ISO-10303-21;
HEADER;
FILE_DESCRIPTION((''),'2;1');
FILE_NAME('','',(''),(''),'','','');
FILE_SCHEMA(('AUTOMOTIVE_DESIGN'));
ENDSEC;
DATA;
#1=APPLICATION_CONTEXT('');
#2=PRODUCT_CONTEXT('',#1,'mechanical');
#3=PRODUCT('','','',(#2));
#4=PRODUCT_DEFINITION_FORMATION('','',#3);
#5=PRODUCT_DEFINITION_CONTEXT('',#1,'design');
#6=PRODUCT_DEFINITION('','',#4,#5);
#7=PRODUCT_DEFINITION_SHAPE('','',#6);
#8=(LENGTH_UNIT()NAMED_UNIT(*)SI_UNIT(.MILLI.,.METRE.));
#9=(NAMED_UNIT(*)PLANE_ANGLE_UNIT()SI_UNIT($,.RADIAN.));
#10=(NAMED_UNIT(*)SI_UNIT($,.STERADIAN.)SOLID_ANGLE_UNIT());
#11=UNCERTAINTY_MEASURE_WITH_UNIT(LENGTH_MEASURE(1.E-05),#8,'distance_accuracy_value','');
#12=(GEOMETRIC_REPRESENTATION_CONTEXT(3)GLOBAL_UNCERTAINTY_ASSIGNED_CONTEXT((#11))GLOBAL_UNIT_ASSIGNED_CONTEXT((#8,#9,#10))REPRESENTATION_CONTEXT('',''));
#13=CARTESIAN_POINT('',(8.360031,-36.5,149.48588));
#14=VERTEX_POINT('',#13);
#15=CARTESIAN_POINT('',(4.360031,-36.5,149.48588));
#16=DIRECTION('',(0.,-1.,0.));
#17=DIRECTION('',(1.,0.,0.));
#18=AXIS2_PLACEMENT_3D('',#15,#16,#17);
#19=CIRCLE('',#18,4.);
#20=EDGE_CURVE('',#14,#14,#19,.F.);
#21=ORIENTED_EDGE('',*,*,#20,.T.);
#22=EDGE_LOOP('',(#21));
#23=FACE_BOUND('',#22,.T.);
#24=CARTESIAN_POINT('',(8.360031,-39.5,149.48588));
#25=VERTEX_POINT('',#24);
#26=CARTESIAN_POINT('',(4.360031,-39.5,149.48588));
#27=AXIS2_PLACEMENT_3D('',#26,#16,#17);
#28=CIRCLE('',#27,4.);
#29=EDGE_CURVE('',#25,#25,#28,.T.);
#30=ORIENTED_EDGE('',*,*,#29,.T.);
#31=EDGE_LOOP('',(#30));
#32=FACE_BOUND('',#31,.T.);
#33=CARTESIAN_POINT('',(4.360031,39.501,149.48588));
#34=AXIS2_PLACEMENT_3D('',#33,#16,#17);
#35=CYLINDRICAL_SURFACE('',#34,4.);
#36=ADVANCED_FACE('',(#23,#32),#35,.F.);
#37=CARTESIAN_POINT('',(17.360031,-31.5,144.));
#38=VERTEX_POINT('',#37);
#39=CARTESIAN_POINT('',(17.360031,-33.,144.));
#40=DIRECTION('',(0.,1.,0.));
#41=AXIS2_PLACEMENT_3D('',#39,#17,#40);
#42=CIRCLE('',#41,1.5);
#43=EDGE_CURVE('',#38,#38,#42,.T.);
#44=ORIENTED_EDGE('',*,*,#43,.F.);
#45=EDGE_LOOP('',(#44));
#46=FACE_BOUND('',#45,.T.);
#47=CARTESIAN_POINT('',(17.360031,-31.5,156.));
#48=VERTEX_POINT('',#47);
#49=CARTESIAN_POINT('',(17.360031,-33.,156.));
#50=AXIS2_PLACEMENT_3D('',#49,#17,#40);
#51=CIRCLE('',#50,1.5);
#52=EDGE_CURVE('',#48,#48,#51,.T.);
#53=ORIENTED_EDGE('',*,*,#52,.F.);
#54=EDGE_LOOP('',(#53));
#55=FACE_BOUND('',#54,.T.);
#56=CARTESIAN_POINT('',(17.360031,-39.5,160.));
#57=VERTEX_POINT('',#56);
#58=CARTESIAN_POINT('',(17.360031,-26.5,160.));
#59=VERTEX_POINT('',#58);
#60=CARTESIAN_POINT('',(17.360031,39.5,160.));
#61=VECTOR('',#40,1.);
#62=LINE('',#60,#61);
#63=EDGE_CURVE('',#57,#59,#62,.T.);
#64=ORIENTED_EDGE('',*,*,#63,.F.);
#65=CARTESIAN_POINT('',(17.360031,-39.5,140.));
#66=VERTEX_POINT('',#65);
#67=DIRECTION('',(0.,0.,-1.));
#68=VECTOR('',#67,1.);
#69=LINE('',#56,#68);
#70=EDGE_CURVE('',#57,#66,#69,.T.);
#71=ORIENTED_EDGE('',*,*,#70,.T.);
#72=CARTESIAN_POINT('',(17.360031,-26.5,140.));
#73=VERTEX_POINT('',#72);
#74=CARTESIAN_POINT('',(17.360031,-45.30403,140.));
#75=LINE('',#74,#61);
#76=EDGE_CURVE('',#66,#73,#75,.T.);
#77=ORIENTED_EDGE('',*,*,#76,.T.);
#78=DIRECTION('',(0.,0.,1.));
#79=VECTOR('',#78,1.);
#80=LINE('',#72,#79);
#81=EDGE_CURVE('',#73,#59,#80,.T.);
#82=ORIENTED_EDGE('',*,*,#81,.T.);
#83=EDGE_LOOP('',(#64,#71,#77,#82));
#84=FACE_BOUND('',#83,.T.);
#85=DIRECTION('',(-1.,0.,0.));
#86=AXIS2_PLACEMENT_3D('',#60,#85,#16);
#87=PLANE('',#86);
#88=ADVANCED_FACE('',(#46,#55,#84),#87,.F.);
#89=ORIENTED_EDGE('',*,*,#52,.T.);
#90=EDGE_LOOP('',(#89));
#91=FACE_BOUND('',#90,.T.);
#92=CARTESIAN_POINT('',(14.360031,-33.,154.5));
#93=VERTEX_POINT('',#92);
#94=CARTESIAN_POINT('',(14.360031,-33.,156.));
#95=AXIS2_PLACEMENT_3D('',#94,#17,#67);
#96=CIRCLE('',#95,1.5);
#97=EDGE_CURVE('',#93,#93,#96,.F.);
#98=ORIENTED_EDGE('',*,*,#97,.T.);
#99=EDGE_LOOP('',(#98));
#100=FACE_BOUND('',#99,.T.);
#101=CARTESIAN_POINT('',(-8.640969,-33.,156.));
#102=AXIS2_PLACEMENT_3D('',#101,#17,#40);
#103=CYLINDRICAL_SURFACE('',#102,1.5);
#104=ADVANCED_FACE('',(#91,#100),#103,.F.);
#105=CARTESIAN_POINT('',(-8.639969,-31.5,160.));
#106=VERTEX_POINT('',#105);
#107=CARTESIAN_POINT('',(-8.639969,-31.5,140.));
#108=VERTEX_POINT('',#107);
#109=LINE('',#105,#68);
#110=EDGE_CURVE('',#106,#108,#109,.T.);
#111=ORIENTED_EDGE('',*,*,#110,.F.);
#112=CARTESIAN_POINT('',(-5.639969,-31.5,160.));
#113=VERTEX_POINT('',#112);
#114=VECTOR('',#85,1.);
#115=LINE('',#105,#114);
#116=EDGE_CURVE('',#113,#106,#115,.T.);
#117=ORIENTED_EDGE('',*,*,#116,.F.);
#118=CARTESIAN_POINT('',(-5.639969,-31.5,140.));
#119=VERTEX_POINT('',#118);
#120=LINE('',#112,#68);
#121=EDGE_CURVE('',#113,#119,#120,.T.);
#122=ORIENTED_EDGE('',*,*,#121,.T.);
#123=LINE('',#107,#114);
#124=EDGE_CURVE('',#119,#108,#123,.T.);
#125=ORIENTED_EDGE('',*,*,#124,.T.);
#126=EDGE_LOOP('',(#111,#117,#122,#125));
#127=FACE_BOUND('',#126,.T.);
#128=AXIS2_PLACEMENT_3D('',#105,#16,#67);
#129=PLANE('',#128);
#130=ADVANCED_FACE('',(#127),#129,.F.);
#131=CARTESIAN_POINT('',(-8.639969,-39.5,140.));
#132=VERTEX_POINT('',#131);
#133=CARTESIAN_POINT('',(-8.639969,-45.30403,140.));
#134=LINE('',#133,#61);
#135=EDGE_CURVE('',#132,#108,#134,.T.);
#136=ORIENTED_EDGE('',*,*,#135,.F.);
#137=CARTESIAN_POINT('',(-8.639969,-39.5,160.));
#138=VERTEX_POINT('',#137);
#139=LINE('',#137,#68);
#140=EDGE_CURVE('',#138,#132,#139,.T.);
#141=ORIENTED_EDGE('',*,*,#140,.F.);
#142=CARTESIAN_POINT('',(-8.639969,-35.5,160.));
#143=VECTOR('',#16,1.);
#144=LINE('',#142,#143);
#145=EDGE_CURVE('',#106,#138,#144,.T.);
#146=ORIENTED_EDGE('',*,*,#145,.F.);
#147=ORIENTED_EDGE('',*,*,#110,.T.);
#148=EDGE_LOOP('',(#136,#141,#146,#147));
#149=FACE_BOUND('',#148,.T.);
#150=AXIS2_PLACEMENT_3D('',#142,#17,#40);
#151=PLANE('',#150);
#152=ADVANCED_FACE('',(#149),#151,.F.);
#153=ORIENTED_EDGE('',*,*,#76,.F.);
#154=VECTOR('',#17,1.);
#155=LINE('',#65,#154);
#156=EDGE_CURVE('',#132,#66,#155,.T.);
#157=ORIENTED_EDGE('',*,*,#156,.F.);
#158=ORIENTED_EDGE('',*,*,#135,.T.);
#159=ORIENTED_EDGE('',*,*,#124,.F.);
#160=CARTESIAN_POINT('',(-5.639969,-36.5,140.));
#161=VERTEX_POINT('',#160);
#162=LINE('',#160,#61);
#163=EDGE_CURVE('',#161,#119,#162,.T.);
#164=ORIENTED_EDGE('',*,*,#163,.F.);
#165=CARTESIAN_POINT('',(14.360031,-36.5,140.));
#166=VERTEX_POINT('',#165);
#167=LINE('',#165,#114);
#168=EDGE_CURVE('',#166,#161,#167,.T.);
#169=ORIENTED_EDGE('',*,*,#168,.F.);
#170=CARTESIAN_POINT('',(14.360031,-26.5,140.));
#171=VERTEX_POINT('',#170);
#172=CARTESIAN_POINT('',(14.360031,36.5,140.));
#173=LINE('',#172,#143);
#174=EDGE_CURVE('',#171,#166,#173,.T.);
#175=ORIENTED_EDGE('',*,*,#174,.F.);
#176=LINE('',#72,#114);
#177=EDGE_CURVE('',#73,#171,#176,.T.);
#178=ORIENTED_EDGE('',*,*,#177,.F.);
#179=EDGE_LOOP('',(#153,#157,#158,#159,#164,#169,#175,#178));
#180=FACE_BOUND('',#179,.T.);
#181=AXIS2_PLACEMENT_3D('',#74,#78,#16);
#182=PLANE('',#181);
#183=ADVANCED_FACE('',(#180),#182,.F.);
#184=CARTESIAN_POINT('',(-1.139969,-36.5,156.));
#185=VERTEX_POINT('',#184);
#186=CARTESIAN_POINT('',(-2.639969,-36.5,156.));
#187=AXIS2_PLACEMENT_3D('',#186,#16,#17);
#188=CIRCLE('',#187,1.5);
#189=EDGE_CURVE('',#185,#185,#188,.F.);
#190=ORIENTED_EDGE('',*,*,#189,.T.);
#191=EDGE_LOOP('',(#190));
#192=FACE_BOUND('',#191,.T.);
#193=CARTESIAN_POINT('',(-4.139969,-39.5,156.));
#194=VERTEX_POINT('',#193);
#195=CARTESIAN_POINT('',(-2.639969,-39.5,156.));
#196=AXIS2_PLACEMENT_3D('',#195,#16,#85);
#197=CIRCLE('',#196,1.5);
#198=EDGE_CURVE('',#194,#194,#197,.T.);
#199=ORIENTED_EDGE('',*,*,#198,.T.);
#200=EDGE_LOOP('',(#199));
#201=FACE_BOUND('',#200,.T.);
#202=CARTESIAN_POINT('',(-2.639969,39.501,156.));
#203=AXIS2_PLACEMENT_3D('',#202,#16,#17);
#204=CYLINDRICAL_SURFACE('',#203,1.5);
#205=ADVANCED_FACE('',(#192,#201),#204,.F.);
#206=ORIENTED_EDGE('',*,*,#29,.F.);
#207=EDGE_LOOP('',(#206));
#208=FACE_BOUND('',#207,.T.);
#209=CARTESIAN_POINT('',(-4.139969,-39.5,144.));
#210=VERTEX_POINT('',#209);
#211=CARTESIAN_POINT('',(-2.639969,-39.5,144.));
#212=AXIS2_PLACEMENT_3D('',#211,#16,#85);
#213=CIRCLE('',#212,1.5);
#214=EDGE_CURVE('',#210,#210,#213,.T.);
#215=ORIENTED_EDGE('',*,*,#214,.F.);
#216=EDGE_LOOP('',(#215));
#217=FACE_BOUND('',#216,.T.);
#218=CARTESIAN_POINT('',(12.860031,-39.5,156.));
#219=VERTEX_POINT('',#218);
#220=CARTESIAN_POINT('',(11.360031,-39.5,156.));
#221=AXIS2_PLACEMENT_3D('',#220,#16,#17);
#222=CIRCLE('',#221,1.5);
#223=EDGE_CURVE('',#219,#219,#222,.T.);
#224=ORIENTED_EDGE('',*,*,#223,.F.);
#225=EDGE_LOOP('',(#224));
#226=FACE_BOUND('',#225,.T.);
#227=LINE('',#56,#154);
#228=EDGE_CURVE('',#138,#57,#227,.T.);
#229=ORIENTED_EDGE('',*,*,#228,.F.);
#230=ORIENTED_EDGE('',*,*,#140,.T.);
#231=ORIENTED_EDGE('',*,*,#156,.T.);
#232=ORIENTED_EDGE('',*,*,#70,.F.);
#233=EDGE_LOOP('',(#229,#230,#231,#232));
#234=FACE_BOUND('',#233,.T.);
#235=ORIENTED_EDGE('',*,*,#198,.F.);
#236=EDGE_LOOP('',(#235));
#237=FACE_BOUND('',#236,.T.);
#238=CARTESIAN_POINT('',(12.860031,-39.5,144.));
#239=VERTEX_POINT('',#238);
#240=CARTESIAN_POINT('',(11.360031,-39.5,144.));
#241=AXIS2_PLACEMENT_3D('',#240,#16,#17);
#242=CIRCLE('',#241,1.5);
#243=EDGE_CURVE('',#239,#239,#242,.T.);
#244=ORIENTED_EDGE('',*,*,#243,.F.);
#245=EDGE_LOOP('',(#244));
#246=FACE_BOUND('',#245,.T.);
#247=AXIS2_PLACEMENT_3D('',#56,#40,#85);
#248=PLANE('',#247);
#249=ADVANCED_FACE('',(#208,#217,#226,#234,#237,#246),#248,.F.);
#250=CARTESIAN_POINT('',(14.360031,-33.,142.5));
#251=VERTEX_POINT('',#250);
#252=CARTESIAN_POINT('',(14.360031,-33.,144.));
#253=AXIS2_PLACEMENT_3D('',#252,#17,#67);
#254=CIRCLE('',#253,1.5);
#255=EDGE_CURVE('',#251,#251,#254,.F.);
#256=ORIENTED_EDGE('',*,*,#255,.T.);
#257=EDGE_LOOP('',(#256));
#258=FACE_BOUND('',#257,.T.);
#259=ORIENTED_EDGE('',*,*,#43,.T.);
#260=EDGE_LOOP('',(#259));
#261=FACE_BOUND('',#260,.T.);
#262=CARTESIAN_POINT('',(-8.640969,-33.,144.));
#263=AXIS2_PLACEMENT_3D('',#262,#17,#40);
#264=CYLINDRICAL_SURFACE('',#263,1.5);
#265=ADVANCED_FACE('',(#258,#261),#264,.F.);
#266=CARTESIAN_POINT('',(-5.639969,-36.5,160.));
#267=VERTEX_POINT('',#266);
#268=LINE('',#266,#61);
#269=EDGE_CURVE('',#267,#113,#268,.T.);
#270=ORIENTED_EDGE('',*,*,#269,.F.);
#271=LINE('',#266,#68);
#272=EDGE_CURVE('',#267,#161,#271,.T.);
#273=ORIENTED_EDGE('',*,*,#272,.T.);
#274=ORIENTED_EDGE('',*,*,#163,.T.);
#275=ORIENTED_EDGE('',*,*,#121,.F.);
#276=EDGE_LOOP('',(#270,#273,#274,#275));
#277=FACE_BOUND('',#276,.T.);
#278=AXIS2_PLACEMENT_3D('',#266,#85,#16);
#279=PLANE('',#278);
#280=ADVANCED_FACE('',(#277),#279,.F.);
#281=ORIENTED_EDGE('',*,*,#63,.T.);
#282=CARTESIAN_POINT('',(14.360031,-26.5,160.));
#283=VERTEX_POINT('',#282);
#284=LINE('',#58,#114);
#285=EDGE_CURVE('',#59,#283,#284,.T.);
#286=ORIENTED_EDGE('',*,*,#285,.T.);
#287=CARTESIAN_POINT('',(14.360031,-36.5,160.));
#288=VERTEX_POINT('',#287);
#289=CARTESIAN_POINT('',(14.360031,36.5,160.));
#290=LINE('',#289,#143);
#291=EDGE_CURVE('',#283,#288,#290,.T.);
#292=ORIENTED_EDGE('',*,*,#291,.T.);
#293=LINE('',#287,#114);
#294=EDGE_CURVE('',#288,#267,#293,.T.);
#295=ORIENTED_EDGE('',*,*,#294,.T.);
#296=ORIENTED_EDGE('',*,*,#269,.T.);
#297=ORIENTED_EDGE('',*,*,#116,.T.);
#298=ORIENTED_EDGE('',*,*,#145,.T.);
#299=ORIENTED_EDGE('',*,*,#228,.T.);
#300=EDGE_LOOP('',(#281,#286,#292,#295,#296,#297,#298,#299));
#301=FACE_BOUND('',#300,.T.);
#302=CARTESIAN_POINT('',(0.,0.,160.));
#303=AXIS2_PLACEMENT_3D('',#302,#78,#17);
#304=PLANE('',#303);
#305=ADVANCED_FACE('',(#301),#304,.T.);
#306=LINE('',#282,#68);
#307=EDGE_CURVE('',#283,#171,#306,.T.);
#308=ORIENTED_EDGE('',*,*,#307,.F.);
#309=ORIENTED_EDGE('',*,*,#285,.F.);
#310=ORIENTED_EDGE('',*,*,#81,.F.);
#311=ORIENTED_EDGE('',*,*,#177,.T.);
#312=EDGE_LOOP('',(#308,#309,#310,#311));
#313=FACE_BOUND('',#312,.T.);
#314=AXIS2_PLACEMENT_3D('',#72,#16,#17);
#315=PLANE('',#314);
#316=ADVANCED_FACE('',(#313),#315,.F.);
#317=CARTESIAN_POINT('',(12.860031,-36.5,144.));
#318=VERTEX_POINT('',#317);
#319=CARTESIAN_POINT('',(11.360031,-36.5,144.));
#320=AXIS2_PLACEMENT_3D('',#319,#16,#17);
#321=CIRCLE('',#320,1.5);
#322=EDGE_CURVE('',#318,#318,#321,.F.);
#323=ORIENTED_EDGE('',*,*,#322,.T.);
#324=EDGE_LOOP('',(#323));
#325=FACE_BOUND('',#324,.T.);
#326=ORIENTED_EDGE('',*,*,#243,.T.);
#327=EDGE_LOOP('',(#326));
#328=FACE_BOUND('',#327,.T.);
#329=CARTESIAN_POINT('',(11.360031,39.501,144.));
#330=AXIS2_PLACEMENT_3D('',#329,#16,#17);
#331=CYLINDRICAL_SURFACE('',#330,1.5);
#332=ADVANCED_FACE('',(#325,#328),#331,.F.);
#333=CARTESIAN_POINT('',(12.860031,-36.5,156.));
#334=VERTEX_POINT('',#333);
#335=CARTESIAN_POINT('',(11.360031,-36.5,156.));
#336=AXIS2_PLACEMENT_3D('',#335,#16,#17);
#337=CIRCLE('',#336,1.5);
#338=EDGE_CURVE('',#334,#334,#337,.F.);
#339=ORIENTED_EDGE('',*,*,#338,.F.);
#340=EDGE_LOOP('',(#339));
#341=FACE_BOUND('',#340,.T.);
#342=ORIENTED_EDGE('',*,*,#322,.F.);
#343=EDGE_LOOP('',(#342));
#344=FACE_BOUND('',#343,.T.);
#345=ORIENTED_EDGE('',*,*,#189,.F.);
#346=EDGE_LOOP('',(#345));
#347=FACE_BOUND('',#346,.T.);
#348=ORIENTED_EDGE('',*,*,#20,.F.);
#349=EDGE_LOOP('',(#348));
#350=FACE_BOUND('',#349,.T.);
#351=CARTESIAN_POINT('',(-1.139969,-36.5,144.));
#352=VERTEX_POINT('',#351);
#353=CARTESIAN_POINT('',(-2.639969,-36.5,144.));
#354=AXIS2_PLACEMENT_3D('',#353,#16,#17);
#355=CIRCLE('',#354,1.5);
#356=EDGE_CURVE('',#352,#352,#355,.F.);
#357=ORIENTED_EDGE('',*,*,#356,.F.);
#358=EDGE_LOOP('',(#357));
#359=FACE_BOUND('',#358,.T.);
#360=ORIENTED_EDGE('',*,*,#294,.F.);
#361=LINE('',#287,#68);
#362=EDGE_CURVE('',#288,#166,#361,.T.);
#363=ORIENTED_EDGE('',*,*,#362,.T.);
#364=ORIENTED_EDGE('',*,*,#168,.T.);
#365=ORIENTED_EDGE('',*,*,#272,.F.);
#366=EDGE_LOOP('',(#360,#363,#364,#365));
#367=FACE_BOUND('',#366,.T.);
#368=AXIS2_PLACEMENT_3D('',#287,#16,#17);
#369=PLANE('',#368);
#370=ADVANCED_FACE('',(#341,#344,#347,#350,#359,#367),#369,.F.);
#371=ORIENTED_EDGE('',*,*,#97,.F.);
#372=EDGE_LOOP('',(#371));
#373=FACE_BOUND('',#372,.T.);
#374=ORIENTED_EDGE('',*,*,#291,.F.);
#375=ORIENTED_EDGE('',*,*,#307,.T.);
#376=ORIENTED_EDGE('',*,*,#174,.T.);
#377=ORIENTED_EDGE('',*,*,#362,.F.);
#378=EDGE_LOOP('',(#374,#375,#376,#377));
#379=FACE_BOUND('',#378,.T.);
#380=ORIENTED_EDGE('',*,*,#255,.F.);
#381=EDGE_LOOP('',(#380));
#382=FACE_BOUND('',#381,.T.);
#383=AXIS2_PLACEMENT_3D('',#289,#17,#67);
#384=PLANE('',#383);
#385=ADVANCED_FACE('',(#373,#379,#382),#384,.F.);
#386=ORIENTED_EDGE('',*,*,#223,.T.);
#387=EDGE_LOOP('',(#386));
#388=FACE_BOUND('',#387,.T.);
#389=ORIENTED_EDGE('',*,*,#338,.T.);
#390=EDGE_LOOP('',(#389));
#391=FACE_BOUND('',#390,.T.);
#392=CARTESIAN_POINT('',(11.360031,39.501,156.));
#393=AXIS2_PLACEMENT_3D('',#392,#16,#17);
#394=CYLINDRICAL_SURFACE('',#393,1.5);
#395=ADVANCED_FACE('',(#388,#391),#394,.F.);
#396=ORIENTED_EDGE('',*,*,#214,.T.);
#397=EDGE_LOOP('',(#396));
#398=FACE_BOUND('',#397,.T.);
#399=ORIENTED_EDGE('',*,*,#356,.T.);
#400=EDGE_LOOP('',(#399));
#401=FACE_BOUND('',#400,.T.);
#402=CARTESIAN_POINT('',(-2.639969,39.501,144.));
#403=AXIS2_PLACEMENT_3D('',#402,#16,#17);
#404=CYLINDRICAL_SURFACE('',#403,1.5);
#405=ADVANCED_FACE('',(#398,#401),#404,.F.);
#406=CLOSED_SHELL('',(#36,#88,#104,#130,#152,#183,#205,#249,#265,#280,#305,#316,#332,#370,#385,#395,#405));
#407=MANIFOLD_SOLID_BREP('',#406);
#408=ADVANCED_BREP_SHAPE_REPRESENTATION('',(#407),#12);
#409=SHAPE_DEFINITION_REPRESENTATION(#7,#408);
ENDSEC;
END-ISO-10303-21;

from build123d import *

# Parameters (mm, degrees)
EXTRUDE_1_DEPTH          = 160
CUT_EXTRUDE_2_DEPTH      = 167.400871392
CUT_EXTRUDE_2_DEPTH_BACK = 167.400871392
SKETCH_5_R               = 1.5
CUT_EXTRUDE_3_DEPTH      = 3
SKETCH_6_R               = 1.5
SKETCH_6_R_2             = 4
CUT_EXTRUDE_4_DEPTH      = 3


with BuildPart() as part:
    # 草图1 → 凸台-拉伸1 (new body)
    with BuildSketch(Plane.XY):
        Polygon((-8.639969484, -35.5), (-8.639969484, -39.5), (17.360030516, -39.5), (17.360030516, 39.5), (-8.639969484, 39.5), (-8.639969484, 35.5), (-8.639969484, 31.5), (-5.639969484, 31.5), (-5.639969484, 36.5), (14.360030516, 36.5), (14.360030516, -36.5), (-5.639969484, -36.5), (-5.639969484, -31.5), (-8.639969484, -31.5), align=None)
    extrude(amount=EXTRUDE_1_DEPTH)

    # 草图4 → 切除-拉伸2 (cut, two sides: drawn at the far end of the back side and taken through both)
    with BuildSketch(Plane.ZY.offset(-14.360030516).offset(-CUT_EXTRUDE_2_DEPTH_BACK)):
        Polygon((140, 26.5), (160, 26.5), (160, -26.5), (140, -26.5), (140, -45.304030301), (130, -45.304030301), (130, -26.5), (110, -26.5), (110, -45.304030301), (100, -45.304030301), (100, -26.5), (80, -26.5), (80, -45.304030301), (72.341947093, -45.304030301), (72.341947093, -47.20233834), (-21.576648983, -47.20233834), (-21.576648983, 47.202965292), (72.341947093, 47.202965292), (72.341947093, 45.304030301), (80, 45.304030301), (80, 26.5), (100, 26.5), (100, 45.304030301), (110, 45.304030301), (110, 26.5), (130, 26.5), (130, 45.304030301), (140, 45.304030301), align=None)
    extrude(amount=CUT_EXTRUDE_2_DEPTH + CUT_EXTRUDE_2_DEPTH_BACK, mode=Mode.SUBTRACT)


with BuildPart() as cut_extrude_2_piece_1:
    # of the separate pieces the step leaves, piece 1, a body of its own (cut_extrude_2_pieces)
    add(part.part.solids().sort_by_distance((17.360030516, 39.5, 80))[0])


with BuildPart() as cut_extrude_2_piece_2:
    # of the separate pieces the step leaves, piece 2, a body of its own (cut_extrude_2_pieces)
    add(part.part.solids().sort_by_distance((17.360030516, 39.5, 110))[0])


with BuildPart() as cut_extrude_2_piece_3:
    # of the separate pieces the step leaves, piece 3, a body of its own (cut_extrude_2_pieces)
    add(part.part.solids().sort_by_distance((17.360030516, -39.5, 140))[0])


with BuildPart() as cut_extrude_2_piece_4:
    # of the separate pieces the step leaves, piece 4, a body of its own (cut_extrude_2_pieces)
    add(part.part.solids().sort_by_distance((17.360030516, 39.5, 140))[0])


with BuildPart() as cut_extrude_2_piece_5:
    # of the separate pieces the step leaves, piece 5, a body of its own (cut_extrude_2_pieces)
    add(part.part.solids().sort_by_distance((17.360030516, -39.5, 110))[0])


with BuildPart() as cut_extrude_2_piece_6:
    # of the separate pieces the step leaves, piece 6, a body of its own (cut_extrude_2_pieces)
    add(part.part.solids().sort_by_distance((-8.639969484, -39.5, 80))[0])


with BuildPart() as cut_extrude_3_tool:
    # 草图5 → 切除-拉伸3 (new body)
    with BuildSketch(Plane(origin=(17.360030516, 0, 0), x_dir=(0, 0, -1), z_dir=(1, 0, 0))):
        with Locations(Location((-96, -33, 0), (0, 0, 90))):
            Circle(SKETCH_5_R)
        with Locations(Location((-84, -33, 0), (0, 0, 90))):
            Circle(SKETCH_5_R)
        with Locations(Location((-126, -33, 0), (0, 0, 90))):
            Circle(SKETCH_5_R)
        with Locations(Location((-114, -33, 0), (0, 0, 90))):
            Circle(SKETCH_5_R)
        with Locations(Location((-156, -33, 0), (0, 0, 90))):
            Circle(SKETCH_5_R)
        with Locations(Location((-144, -33, 0), (0, 0, 90))):
            Circle(SKETCH_5_R)
        with Locations((-84, 33)):
            Circle(SKETCH_5_R)
        with Locations((-96, 33)):
            Circle(SKETCH_5_R)
        with Locations((-114, 33)):
            Circle(SKETCH_5_R)
        with Locations((-126, 33)):
            Circle(SKETCH_5_R)
        with Locations((-144, 33)):
            Circle(SKETCH_5_R)
        with Locations((-156, 33)):
            Circle(SKETCH_5_R)
    extrude(amount=-CUT_EXTRUDE_3_DEPTH)


with BuildPart() as cut_extrude_2_piece_1_1:
    add(cut_extrude_2_piece_1.part)

    # 切除-拉伸3: cut by cut_extrude_3_tool
    add(cut_extrude_3_tool.part, mode=Mode.SUBTRACT)


with BuildPart() as cut_extrude_2_piece_2_1:
    add(cut_extrude_2_piece_2.part)

    # 切除-拉伸3: cut by cut_extrude_3_tool
    add(cut_extrude_3_tool.part, mode=Mode.SUBTRACT)


with BuildPart() as cut_extrude_2_piece_3_1:
    add(cut_extrude_2_piece_3.part)

    # 切除-拉伸3: cut by cut_extrude_3_tool
    add(cut_extrude_3_tool.part, mode=Mode.SUBTRACT)


with BuildPart() as cut_extrude_2_piece_4_1:
    add(cut_extrude_2_piece_4.part)

    # 切除-拉伸3: cut by cut_extrude_3_tool
    add(cut_extrude_3_tool.part, mode=Mode.SUBTRACT)


with BuildPart() as cut_extrude_2_piece_5_1:
    add(cut_extrude_2_piece_5.part)

    # 切除-拉伸3: cut by cut_extrude_3_tool
    add(cut_extrude_3_tool.part, mode=Mode.SUBTRACT)


with BuildPart() as cut_extrude_2_piece_6_1:
    add(cut_extrude_2_piece_6.part)

    # 切除-拉伸3: cut by cut_extrude_3_tool
    add(cut_extrude_3_tool.part, mode=Mode.SUBTRACT)


with BuildPart() as cut_extrude_4_tool:
    # 草图6 → 切除-拉伸4 (new body)
    with BuildSketch(Plane.XZ.offset(39.5)):
        with Locations((11.360030516, 96)):
            Circle(SKETCH_6_R)
        with Locations((11.360030516, 84)):
            Circle(SKETCH_6_R)
        with Locations((-2.639969484, 84)):
            Circle(SKETCH_6_R)
        with Locations((-2.639969484, 96)):
            Circle(SKETCH_6_R)
        with Locations((-2.639969484, 126)):
            Circle(SKETCH_6_R)
        with Locations((-2.639969484, 114)):
            Circle(SKETCH_6_R)
        with Locations((11.360030516, 114)):
            Circle(SKETCH_6_R)
        with Locations((11.360030516, 126)):
            Circle(SKETCH_6_R)
        with Locations((-2.639969484, 156)):
            Circle(SKETCH_6_R)
        with Locations((-2.639969484, 144)):
            Circle(SKETCH_6_R)
        with Locations((11.360030516, 144)):
            Circle(SKETCH_6_R)
        with Locations((11.360030516, 156)):
            Circle(SKETCH_6_R)
        with Locations((4.360030516, 89.485879771)):
            Circle(SKETCH_6_R_2)
        with Locations((4.360030516, 119.485879771)):
            Circle(SKETCH_6_R_2)
        with Locations((4.360030516, 149.485879771)):
            Circle(SKETCH_6_R_2)
    cut_extrude_4 = extrude(amount=-CUT_EXTRUDE_4_DEPTH)


with BuildPart() as cut_extrude_2_piece_3_2:
    add(cut_extrude_2_piece_3_1.part)

    # 切除-拉伸4: cut by cut_extrude_4_tool
    add(cut_extrude_4_tool.part, mode=Mode.SUBTRACT)


with BuildPart() as cut_extrude_2_piece_5_2:
    add(cut_extrude_2_piece_5_1.part)

    # 切除-拉伸4: cut by cut_extrude_4_tool
    add(cut_extrude_4_tool.part, mode=Mode.SUBTRACT)


with BuildPart() as cut_extrude_2_piece_6_2:
    add(cut_extrude_2_piece_6_1.part)

    # 切除-拉伸4: cut by cut_extrude_4_tool
    add(cut_extrude_4_tool.part, mode=Mode.SUBTRACT)


with BuildPart() as mirror_1_tool:
    # 镜向1: 切除-拉伸4 across plane
    add(cut_extrude_4.mirror(Plane.ZX))


with BuildPart() as cut_extrude_2_piece_1_2:
    add(cut_extrude_2_piece_1_1.part)

    # 镜向1: cut by mirror_1_tool
    add(mirror_1_tool.part, mode=Mode.SUBTRACT)


with BuildPart() as cut_extrude_2_piece_2_2:
    add(cut_extrude_2_piece_2_1.part)

    # 镜向1: cut by mirror_1_tool
    add(mirror_1_tool.part, mode=Mode.SUBTRACT)


with BuildPart() as cut_extrude_2_piece_4_2:
    add(cut_extrude_2_piece_4_1.part)

    # 镜向1: cut by mirror_1_tool
    add(mirror_1_tool.part, mode=Mode.SUBTRACT)


solid = cut_extrude_2_piece_3_2.part
